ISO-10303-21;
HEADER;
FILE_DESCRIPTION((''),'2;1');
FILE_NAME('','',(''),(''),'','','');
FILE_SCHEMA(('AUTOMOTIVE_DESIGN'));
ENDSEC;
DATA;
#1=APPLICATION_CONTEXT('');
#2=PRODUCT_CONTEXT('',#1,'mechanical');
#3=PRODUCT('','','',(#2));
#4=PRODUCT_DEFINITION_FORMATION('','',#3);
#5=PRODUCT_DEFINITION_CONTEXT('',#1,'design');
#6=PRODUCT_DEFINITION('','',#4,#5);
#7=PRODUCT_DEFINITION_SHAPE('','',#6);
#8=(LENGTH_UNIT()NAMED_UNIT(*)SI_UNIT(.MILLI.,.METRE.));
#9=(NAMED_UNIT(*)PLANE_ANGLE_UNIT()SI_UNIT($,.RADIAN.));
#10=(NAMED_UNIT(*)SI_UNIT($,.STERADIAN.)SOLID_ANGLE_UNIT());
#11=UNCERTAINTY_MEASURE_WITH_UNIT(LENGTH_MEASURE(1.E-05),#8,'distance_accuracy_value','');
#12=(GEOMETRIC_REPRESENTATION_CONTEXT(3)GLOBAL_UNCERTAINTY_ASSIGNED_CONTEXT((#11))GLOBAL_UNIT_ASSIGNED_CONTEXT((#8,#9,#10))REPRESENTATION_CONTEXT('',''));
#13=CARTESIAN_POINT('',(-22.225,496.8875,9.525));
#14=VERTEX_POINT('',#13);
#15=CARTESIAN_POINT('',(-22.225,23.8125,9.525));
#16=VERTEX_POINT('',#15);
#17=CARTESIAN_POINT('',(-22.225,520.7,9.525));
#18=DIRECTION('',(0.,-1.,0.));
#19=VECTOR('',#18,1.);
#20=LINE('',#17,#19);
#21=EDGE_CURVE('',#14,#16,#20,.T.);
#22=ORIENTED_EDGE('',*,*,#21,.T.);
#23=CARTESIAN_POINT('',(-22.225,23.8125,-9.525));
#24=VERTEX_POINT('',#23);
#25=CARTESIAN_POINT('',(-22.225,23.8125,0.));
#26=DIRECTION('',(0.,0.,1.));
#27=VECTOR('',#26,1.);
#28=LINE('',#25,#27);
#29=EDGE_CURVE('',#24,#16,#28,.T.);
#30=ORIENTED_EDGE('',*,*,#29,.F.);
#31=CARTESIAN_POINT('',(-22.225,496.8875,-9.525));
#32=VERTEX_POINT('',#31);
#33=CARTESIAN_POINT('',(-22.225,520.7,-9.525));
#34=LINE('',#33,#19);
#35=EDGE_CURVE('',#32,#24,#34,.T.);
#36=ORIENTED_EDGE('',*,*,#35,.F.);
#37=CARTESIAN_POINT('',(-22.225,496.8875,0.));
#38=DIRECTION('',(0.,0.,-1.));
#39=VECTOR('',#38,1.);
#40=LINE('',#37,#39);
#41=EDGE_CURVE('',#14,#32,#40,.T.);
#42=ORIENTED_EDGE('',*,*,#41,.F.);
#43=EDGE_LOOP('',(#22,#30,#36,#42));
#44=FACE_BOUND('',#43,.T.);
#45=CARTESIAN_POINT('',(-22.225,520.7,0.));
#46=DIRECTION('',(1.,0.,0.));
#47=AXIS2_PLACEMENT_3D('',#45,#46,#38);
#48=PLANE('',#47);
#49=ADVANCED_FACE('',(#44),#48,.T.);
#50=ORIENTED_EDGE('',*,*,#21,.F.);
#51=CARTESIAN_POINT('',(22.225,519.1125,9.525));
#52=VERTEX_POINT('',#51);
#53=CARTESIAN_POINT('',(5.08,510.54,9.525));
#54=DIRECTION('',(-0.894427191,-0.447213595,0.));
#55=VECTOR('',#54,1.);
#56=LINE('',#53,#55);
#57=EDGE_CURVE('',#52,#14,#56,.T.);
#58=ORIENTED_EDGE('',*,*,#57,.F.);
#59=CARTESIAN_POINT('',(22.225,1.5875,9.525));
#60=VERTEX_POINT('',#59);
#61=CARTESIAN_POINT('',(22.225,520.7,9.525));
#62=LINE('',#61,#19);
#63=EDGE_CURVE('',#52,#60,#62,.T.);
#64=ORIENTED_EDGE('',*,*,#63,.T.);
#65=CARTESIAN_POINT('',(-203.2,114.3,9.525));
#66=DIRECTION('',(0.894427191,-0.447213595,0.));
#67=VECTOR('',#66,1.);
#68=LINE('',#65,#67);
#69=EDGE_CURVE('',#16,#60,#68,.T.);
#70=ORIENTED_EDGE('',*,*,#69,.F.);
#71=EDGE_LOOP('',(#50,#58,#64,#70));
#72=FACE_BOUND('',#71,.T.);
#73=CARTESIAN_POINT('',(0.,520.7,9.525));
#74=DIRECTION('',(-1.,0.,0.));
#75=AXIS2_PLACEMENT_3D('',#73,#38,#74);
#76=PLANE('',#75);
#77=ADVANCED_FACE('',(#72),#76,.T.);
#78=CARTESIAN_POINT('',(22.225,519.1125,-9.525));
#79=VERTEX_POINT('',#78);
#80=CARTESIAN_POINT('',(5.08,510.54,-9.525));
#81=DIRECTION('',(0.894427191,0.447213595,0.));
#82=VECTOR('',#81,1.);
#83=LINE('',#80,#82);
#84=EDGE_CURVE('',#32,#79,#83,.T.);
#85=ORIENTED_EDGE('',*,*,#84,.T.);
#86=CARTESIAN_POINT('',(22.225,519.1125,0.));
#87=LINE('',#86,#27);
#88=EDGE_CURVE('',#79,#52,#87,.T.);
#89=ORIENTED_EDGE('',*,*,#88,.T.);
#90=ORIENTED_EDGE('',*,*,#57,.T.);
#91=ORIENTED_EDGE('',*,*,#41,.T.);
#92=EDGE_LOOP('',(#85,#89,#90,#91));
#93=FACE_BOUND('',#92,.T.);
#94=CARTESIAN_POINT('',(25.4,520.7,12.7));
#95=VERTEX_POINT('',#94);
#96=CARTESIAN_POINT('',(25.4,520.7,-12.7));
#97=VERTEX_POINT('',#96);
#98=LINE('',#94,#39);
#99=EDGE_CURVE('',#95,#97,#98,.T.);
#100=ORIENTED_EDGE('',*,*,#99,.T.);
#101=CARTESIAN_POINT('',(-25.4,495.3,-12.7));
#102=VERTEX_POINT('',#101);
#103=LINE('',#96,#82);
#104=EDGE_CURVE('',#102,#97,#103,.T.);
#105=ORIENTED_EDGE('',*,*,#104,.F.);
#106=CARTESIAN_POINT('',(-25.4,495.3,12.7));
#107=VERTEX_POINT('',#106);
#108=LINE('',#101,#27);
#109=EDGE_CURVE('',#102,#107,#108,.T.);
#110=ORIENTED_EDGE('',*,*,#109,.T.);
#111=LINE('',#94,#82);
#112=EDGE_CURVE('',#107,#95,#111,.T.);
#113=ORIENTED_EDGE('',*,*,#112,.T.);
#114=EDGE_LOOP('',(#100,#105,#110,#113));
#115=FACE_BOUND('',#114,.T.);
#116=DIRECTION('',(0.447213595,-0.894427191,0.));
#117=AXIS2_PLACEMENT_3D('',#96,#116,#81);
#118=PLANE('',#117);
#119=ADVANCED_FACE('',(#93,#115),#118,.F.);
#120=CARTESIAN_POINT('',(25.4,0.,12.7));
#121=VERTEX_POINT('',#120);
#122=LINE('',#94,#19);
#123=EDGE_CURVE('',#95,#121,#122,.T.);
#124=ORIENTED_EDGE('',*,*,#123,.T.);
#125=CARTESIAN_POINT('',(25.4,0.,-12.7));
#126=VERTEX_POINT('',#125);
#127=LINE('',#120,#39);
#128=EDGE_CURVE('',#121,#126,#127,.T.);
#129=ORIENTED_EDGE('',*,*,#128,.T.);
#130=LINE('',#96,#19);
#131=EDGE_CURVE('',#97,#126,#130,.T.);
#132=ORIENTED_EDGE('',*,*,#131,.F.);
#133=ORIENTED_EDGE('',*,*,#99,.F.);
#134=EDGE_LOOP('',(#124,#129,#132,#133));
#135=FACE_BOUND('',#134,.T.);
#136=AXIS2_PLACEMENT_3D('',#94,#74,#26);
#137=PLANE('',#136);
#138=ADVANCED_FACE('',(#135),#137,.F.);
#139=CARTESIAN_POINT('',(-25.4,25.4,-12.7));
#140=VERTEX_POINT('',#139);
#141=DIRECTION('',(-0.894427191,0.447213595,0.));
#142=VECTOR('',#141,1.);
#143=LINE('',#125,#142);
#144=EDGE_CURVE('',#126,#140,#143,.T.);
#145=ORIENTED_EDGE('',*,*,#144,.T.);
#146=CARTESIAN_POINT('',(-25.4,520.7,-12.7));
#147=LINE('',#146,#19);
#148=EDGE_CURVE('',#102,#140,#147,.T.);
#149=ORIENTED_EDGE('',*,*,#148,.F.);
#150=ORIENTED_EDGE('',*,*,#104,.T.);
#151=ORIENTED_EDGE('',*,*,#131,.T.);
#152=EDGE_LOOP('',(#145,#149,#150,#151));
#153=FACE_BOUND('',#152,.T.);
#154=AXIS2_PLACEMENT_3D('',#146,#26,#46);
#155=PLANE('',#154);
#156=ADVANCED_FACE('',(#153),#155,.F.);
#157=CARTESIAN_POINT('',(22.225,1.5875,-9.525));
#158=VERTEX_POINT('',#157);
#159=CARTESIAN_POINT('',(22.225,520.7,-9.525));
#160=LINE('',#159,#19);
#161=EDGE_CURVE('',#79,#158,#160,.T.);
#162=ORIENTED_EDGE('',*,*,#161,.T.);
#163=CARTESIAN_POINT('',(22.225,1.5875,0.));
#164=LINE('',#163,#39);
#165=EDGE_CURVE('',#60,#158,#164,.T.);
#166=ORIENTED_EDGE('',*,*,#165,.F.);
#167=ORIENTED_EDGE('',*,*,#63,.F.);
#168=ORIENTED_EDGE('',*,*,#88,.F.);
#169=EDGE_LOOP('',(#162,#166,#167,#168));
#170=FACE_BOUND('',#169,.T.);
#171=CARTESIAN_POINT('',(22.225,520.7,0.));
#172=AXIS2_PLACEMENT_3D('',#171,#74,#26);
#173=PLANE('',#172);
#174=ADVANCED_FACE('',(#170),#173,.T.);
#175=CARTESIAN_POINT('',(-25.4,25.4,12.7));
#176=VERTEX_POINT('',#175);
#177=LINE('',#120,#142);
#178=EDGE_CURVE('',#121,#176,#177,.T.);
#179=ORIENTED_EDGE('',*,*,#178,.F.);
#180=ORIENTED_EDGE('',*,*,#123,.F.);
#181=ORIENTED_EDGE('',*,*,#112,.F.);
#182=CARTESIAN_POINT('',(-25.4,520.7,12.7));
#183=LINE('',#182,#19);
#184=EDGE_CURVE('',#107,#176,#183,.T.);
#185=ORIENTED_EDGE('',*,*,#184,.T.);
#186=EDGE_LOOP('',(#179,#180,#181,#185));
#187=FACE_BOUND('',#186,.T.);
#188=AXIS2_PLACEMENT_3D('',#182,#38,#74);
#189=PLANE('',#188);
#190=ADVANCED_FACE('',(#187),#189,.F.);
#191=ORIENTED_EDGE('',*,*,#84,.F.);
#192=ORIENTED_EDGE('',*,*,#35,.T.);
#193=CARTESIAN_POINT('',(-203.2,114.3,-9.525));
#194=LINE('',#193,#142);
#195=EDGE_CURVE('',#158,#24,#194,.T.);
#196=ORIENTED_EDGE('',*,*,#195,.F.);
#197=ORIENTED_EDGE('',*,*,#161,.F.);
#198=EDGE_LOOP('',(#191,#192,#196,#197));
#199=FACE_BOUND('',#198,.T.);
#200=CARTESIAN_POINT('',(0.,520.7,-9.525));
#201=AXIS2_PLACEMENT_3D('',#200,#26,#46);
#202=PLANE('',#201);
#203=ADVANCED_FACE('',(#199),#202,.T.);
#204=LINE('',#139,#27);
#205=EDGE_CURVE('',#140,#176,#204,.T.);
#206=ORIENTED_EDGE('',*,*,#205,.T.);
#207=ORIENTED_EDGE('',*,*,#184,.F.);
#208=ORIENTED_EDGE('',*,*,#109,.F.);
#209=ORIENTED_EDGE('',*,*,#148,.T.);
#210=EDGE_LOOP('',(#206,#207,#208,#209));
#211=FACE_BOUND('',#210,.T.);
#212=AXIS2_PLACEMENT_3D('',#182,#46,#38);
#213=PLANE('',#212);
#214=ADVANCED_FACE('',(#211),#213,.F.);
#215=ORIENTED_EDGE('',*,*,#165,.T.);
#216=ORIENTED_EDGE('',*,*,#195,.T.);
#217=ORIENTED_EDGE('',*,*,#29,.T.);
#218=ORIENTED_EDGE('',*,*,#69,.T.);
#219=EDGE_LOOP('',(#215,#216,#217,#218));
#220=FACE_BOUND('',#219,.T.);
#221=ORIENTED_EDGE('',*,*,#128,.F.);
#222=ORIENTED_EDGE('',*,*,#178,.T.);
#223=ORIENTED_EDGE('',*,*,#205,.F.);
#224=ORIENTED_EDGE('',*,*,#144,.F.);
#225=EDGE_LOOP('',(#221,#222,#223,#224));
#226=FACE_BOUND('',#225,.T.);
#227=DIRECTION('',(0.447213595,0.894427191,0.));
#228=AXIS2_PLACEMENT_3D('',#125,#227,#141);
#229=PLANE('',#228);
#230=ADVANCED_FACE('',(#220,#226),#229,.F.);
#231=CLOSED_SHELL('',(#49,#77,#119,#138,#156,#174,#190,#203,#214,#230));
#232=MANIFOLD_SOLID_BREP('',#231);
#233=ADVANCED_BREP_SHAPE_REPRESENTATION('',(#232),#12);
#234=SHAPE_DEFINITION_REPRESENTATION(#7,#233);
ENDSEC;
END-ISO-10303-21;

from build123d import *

# Parameters (mm, degrees)
SKETCH1_W           = 50.8
SKETCH1_H           = 25.4
SKETCH1_W_2         = 44.45
SKETCH1_H_2         = 19.05
EXTRUDE_THIN1_DEPTH = 520.7
CUT_EXTRUDE1_DEPTH  = 522.937553736


with BuildPart() as part:
    # Sketch1 → Extrude-Thin1 (new body)
    with BuildSketch(Plane(origin=(0, 0, 0), x_dir=(1, 0, 0), z_dir=(0, 1, 0))):
        Rectangle(SKETCH1_W, SKETCH1_H)
        Rectangle(SKETCH1_W_2, SKETCH1_H_2, mode=Mode.SUBTRACT)
    extrude(amount=EXTRUDE_THIN1_DEPTH)

    # Sketch2 → Cut-Extrude1 (cut, through all)
    with BuildSketch(Plane.XY.offset(12.7)):
        Polygon((25.4, 0), (-25.4, 25.4), (-25.4, 0), align=None)
        Polygon((-25.4, 520.7), (25.4, 520.7), (-25.4, 495.3), align=None)
    extrude(amount=-CUT_EXTRUDE1_DEPTH, mode=Mode.SUBTRACT)


solid = part.part
